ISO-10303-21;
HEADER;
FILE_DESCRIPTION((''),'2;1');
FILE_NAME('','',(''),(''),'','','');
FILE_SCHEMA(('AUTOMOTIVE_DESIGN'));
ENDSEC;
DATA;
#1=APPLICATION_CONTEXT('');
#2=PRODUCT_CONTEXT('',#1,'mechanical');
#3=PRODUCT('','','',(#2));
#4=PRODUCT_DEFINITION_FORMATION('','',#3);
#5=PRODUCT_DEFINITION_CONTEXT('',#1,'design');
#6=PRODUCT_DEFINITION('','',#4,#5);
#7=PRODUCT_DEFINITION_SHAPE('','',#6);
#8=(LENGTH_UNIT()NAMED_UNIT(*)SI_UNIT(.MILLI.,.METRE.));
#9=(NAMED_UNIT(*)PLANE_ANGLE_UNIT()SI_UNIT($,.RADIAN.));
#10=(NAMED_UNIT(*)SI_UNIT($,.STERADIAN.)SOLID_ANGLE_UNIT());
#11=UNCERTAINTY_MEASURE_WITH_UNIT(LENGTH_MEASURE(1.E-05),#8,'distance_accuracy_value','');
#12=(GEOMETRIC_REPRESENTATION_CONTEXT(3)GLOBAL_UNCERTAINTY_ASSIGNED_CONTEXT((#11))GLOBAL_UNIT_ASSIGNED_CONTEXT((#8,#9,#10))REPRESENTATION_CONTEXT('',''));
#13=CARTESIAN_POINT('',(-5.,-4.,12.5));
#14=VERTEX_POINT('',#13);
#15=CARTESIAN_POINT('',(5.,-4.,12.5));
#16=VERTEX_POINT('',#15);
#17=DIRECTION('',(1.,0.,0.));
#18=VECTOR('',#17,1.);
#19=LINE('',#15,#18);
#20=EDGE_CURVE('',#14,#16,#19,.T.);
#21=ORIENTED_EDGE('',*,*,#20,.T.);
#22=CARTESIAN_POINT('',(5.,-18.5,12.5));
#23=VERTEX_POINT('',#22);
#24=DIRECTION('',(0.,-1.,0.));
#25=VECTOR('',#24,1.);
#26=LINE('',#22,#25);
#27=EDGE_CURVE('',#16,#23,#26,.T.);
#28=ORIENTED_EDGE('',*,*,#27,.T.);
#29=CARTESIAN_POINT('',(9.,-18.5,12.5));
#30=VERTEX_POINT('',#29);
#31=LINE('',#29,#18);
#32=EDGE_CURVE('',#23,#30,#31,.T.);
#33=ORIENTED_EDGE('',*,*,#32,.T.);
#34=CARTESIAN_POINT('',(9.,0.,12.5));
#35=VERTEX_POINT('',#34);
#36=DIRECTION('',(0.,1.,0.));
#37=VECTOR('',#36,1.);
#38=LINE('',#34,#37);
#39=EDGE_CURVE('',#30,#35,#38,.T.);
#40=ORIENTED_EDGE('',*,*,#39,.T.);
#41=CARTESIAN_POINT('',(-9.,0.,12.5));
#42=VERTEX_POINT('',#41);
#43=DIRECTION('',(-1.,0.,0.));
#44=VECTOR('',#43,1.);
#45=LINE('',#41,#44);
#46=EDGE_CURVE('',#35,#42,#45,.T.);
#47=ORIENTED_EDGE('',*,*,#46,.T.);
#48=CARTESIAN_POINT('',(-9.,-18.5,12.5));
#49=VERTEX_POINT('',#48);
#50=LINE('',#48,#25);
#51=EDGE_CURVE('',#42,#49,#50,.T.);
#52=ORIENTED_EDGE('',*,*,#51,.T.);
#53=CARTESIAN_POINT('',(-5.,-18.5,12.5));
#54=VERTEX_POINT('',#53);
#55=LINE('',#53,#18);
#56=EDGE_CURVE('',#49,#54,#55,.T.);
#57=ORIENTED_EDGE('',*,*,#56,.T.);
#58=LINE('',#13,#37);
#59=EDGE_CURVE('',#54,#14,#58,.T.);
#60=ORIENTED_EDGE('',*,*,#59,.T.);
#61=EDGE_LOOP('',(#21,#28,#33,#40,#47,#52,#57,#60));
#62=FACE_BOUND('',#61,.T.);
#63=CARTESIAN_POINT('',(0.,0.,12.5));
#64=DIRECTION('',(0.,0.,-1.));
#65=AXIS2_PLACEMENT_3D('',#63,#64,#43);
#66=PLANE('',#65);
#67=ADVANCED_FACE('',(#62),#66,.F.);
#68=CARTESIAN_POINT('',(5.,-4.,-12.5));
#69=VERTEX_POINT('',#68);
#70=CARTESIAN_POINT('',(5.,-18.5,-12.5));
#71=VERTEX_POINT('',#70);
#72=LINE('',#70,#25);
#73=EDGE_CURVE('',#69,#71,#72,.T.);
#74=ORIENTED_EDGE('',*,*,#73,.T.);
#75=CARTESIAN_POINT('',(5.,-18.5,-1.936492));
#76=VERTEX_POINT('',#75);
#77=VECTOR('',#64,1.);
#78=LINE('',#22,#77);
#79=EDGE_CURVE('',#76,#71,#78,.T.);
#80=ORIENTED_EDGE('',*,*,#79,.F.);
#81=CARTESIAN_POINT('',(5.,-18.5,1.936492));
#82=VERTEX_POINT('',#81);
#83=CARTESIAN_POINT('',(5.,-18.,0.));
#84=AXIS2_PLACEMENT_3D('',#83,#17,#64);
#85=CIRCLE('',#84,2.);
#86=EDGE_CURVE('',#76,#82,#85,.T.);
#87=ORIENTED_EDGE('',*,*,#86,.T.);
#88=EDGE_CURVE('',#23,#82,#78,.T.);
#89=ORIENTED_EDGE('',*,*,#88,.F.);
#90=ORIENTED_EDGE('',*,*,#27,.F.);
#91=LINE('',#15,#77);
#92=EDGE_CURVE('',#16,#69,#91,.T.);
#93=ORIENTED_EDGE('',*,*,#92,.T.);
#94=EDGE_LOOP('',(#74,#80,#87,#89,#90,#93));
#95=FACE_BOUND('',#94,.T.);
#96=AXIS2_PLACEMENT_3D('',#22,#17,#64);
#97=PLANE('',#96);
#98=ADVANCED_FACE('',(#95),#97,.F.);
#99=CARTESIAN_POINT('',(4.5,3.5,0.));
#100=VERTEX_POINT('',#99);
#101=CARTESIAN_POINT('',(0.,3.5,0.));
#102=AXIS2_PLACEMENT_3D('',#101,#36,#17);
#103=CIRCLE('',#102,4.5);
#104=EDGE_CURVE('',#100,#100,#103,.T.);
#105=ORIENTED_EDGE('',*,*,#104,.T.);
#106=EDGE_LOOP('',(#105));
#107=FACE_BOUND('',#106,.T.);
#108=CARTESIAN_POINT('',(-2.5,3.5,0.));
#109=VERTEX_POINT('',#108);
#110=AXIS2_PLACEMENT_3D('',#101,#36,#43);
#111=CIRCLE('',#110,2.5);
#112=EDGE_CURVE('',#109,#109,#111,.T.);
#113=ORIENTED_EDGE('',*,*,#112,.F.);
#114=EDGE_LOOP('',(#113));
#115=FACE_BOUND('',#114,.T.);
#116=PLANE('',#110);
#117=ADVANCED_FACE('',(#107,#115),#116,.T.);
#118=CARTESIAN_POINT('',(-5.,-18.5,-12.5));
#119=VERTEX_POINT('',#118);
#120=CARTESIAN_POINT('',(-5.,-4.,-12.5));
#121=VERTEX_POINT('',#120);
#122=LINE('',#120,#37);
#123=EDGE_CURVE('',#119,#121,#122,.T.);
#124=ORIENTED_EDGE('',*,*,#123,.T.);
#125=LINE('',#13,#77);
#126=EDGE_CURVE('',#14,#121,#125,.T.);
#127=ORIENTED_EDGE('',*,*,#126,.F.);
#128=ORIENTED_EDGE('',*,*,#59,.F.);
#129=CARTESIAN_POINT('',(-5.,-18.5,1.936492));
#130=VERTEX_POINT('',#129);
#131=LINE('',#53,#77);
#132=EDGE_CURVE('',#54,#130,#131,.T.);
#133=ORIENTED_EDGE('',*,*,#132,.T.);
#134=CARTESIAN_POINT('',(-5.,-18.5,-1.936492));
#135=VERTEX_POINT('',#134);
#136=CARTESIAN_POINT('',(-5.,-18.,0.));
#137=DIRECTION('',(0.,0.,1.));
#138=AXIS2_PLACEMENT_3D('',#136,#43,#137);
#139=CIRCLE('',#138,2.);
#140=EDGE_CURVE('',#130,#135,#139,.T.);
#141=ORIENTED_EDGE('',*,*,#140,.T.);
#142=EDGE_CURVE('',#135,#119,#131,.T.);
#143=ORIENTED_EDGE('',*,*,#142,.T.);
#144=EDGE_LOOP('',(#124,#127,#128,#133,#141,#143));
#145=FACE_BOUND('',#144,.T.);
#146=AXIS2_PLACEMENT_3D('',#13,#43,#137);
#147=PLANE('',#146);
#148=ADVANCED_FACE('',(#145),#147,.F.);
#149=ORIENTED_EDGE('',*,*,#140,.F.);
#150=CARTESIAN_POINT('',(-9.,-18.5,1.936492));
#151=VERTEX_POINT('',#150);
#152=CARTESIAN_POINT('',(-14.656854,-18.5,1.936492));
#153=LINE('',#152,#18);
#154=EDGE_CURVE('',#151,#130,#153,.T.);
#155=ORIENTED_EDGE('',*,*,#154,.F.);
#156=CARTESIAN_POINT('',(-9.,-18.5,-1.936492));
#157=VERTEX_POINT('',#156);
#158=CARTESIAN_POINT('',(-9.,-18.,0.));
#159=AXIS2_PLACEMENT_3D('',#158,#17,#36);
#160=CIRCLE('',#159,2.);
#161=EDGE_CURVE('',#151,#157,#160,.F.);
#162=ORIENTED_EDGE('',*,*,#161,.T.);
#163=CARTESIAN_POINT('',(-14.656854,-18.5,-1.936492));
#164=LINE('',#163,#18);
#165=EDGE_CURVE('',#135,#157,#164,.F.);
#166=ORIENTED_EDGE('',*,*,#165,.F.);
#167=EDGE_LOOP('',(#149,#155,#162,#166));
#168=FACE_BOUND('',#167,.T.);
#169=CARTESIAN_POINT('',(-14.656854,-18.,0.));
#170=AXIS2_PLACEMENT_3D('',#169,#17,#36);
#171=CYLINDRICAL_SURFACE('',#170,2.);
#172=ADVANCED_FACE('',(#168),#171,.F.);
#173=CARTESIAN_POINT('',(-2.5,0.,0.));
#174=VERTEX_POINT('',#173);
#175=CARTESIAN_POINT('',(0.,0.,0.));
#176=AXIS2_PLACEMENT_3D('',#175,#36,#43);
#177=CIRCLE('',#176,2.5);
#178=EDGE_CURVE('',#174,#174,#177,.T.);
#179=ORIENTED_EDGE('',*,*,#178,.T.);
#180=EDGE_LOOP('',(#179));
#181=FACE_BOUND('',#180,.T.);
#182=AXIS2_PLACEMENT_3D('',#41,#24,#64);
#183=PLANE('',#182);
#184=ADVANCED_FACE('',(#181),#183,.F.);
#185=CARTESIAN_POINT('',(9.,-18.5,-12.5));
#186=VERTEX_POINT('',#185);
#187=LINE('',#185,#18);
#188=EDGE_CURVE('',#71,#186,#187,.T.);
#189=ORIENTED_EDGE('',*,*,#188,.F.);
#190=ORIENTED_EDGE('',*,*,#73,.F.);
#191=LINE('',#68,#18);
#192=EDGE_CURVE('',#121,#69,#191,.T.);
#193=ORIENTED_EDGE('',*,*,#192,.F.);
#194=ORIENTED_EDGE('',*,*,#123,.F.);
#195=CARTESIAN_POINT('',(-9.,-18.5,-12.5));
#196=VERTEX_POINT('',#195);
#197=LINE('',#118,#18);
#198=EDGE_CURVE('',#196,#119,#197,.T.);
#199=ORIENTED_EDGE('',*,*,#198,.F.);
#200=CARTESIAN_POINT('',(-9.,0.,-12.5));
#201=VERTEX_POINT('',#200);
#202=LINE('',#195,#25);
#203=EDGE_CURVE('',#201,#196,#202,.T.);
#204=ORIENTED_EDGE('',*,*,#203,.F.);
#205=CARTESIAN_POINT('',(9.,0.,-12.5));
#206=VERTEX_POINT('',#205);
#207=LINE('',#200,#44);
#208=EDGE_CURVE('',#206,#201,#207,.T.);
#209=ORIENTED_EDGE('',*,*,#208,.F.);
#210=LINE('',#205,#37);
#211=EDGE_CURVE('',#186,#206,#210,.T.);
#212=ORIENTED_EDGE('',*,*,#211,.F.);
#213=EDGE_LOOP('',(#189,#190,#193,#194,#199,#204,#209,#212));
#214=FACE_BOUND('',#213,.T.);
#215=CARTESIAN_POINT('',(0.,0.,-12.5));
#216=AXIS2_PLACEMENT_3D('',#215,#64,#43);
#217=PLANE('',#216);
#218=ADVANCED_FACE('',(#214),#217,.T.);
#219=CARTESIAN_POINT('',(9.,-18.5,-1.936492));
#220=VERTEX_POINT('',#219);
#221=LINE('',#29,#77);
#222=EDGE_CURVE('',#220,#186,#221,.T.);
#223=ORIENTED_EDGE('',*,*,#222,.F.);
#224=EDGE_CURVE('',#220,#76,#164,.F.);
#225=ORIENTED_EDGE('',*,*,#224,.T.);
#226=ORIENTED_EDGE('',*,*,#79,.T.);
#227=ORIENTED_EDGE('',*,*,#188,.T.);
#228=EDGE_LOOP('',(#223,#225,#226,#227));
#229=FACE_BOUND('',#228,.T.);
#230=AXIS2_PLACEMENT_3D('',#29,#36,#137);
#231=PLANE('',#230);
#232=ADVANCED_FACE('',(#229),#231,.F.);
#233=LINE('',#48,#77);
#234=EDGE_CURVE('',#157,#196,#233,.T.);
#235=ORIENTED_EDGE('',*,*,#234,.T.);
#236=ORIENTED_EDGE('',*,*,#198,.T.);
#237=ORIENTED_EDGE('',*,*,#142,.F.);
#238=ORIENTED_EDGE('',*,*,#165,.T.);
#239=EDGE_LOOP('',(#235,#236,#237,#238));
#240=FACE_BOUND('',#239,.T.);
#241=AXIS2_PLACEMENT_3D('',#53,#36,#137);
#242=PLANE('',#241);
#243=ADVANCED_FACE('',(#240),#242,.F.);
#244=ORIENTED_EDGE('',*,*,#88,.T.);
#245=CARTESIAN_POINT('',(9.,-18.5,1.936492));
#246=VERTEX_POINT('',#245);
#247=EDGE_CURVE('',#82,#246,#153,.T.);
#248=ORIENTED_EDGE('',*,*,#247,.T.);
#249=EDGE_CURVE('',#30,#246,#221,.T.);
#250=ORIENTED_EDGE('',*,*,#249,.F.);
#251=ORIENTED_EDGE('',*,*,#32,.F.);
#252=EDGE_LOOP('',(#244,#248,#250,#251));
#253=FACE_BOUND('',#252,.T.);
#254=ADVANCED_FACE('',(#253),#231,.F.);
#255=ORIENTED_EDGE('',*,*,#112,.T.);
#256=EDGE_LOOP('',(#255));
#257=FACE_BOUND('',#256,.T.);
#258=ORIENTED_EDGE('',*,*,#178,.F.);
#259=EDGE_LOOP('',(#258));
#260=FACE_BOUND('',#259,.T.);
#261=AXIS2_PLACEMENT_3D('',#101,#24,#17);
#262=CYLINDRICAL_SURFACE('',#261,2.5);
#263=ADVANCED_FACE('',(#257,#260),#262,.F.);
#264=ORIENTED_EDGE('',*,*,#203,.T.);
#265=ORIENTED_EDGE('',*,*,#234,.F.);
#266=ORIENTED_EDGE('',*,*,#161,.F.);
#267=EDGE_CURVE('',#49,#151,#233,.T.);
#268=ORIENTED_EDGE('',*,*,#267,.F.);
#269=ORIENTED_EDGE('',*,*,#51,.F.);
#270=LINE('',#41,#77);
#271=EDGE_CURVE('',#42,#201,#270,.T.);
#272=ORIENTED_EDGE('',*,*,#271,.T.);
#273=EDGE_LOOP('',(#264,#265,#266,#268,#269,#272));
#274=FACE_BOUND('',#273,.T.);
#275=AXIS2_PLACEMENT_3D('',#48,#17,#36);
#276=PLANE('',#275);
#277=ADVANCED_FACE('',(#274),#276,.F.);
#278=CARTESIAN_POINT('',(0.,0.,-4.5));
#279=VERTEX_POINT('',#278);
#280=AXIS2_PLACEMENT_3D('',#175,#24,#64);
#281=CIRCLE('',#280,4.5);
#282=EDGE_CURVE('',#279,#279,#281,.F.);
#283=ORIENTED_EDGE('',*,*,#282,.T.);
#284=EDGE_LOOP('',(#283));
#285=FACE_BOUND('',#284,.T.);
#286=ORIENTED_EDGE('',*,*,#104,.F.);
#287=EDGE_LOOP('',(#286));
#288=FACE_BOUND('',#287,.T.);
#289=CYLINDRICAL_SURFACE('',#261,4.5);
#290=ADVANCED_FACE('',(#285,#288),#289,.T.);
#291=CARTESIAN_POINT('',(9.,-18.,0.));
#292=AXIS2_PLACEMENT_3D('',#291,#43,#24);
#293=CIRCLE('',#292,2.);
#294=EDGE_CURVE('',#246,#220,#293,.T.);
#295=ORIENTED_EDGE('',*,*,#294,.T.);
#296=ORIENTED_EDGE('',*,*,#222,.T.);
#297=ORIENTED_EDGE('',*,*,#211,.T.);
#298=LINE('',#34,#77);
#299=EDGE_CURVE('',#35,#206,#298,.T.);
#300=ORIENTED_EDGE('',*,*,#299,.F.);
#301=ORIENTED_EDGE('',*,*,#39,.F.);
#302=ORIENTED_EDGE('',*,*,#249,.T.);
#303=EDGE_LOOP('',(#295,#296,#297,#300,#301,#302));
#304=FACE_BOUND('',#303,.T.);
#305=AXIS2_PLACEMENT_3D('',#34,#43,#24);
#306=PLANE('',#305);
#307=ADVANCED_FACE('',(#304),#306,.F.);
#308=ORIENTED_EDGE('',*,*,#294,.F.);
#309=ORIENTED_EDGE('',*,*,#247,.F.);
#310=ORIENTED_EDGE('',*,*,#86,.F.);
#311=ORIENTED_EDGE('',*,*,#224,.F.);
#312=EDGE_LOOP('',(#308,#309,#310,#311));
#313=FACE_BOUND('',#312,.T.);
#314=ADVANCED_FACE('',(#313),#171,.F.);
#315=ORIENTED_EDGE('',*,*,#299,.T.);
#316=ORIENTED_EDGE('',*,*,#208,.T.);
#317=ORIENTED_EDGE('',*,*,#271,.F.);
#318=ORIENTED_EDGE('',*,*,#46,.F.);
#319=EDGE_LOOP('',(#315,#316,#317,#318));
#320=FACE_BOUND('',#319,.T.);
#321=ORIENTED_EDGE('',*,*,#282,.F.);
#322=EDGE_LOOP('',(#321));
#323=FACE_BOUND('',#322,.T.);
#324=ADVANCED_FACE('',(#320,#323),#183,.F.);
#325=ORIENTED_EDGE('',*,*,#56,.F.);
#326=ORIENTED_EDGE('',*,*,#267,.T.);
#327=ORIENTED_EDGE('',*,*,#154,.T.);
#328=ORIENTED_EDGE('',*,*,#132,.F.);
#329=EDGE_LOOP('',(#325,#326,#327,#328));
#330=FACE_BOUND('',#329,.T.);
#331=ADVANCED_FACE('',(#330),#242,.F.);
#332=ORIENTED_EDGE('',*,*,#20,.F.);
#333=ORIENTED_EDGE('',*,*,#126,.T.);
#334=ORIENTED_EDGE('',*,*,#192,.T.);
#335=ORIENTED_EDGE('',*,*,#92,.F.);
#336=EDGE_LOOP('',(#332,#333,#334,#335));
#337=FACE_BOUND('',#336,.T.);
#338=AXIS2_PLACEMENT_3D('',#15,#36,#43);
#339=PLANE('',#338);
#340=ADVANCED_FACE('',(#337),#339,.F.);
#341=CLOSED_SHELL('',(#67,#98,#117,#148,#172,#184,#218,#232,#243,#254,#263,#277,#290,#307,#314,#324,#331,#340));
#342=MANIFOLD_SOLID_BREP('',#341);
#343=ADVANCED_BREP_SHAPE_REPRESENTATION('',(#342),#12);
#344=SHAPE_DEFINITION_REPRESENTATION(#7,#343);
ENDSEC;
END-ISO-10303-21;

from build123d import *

# Parameters (mm, degrees)
BOSS_EXTRUDE1_DEPTH = 12.5
SKETCH2_R           = 4.5
SKETCH2_R_2         = 2.5
EXTRUDE_THIN1_DEPTH = 3.5
CUT_EXTRUDE1_REACH  = 30.679
SKETCH3_R           = 2


with BuildPart() as part:
    # Sketch1 → Boss-Extrude1 (new, symmetric)
    with BuildSketch(Plane.XY):
        Polygon((-9, 0), (9, 0), (9, -18.5), (5, -18.5), (5, -4), (-5, -4), (-5, -18.5), (-9, -18.5), align=None)
    extrude(amount=BOSS_EXTRUDE1_DEPTH, both=True)

    # Sketch2 → Extrude-Thin1 (add)
    with BuildSketch(Plane(origin=(0, 0, 0), x_dir=(1, 0, 0), z_dir=(0, 1, 0))):
        Circle(SKETCH2_R)
        Circle(SKETCH2_R_2, mode=Mode.SUBTRACT)
    extrude(amount=EXTRUDE_THIN1_DEPTH)

    # Cut-Extrude1: up to this face of the body (flat: up to its plane)
    cut_extrude1_end = Plane(part.part.faces().sort_by_distance((-9, -9.25, 0))[0])
    # Sketch3 → Cut-Extrude1 (cut, up to the picked face)
    with BuildSketch(Plane(origin=(9, 0, 0), x_dir=(0, 0, -1), z_dir=(1, 0, 0)), mode=Mode.PRIVATE) as cut_extrude1_sk1:
        with Locations((0, -18)):
            Circle(SKETCH3_R)
    cut_extrude1_tool1 = split(extrude(cut_extrude1_sk1.sketch, amount=-CUT_EXTRUDE1_REACH, mode=Mode.PRIVATE), bisect_by=cut_extrude1_end, keep=Keep.BOTH, mode=Mode.PRIVATE)
    add(cut_extrude1_tool1.solids().sort_by(Axis((9, -18, 0), (-1, 0, 0)))[0], mode=Mode.SUBTRACT)


solid = part.part
